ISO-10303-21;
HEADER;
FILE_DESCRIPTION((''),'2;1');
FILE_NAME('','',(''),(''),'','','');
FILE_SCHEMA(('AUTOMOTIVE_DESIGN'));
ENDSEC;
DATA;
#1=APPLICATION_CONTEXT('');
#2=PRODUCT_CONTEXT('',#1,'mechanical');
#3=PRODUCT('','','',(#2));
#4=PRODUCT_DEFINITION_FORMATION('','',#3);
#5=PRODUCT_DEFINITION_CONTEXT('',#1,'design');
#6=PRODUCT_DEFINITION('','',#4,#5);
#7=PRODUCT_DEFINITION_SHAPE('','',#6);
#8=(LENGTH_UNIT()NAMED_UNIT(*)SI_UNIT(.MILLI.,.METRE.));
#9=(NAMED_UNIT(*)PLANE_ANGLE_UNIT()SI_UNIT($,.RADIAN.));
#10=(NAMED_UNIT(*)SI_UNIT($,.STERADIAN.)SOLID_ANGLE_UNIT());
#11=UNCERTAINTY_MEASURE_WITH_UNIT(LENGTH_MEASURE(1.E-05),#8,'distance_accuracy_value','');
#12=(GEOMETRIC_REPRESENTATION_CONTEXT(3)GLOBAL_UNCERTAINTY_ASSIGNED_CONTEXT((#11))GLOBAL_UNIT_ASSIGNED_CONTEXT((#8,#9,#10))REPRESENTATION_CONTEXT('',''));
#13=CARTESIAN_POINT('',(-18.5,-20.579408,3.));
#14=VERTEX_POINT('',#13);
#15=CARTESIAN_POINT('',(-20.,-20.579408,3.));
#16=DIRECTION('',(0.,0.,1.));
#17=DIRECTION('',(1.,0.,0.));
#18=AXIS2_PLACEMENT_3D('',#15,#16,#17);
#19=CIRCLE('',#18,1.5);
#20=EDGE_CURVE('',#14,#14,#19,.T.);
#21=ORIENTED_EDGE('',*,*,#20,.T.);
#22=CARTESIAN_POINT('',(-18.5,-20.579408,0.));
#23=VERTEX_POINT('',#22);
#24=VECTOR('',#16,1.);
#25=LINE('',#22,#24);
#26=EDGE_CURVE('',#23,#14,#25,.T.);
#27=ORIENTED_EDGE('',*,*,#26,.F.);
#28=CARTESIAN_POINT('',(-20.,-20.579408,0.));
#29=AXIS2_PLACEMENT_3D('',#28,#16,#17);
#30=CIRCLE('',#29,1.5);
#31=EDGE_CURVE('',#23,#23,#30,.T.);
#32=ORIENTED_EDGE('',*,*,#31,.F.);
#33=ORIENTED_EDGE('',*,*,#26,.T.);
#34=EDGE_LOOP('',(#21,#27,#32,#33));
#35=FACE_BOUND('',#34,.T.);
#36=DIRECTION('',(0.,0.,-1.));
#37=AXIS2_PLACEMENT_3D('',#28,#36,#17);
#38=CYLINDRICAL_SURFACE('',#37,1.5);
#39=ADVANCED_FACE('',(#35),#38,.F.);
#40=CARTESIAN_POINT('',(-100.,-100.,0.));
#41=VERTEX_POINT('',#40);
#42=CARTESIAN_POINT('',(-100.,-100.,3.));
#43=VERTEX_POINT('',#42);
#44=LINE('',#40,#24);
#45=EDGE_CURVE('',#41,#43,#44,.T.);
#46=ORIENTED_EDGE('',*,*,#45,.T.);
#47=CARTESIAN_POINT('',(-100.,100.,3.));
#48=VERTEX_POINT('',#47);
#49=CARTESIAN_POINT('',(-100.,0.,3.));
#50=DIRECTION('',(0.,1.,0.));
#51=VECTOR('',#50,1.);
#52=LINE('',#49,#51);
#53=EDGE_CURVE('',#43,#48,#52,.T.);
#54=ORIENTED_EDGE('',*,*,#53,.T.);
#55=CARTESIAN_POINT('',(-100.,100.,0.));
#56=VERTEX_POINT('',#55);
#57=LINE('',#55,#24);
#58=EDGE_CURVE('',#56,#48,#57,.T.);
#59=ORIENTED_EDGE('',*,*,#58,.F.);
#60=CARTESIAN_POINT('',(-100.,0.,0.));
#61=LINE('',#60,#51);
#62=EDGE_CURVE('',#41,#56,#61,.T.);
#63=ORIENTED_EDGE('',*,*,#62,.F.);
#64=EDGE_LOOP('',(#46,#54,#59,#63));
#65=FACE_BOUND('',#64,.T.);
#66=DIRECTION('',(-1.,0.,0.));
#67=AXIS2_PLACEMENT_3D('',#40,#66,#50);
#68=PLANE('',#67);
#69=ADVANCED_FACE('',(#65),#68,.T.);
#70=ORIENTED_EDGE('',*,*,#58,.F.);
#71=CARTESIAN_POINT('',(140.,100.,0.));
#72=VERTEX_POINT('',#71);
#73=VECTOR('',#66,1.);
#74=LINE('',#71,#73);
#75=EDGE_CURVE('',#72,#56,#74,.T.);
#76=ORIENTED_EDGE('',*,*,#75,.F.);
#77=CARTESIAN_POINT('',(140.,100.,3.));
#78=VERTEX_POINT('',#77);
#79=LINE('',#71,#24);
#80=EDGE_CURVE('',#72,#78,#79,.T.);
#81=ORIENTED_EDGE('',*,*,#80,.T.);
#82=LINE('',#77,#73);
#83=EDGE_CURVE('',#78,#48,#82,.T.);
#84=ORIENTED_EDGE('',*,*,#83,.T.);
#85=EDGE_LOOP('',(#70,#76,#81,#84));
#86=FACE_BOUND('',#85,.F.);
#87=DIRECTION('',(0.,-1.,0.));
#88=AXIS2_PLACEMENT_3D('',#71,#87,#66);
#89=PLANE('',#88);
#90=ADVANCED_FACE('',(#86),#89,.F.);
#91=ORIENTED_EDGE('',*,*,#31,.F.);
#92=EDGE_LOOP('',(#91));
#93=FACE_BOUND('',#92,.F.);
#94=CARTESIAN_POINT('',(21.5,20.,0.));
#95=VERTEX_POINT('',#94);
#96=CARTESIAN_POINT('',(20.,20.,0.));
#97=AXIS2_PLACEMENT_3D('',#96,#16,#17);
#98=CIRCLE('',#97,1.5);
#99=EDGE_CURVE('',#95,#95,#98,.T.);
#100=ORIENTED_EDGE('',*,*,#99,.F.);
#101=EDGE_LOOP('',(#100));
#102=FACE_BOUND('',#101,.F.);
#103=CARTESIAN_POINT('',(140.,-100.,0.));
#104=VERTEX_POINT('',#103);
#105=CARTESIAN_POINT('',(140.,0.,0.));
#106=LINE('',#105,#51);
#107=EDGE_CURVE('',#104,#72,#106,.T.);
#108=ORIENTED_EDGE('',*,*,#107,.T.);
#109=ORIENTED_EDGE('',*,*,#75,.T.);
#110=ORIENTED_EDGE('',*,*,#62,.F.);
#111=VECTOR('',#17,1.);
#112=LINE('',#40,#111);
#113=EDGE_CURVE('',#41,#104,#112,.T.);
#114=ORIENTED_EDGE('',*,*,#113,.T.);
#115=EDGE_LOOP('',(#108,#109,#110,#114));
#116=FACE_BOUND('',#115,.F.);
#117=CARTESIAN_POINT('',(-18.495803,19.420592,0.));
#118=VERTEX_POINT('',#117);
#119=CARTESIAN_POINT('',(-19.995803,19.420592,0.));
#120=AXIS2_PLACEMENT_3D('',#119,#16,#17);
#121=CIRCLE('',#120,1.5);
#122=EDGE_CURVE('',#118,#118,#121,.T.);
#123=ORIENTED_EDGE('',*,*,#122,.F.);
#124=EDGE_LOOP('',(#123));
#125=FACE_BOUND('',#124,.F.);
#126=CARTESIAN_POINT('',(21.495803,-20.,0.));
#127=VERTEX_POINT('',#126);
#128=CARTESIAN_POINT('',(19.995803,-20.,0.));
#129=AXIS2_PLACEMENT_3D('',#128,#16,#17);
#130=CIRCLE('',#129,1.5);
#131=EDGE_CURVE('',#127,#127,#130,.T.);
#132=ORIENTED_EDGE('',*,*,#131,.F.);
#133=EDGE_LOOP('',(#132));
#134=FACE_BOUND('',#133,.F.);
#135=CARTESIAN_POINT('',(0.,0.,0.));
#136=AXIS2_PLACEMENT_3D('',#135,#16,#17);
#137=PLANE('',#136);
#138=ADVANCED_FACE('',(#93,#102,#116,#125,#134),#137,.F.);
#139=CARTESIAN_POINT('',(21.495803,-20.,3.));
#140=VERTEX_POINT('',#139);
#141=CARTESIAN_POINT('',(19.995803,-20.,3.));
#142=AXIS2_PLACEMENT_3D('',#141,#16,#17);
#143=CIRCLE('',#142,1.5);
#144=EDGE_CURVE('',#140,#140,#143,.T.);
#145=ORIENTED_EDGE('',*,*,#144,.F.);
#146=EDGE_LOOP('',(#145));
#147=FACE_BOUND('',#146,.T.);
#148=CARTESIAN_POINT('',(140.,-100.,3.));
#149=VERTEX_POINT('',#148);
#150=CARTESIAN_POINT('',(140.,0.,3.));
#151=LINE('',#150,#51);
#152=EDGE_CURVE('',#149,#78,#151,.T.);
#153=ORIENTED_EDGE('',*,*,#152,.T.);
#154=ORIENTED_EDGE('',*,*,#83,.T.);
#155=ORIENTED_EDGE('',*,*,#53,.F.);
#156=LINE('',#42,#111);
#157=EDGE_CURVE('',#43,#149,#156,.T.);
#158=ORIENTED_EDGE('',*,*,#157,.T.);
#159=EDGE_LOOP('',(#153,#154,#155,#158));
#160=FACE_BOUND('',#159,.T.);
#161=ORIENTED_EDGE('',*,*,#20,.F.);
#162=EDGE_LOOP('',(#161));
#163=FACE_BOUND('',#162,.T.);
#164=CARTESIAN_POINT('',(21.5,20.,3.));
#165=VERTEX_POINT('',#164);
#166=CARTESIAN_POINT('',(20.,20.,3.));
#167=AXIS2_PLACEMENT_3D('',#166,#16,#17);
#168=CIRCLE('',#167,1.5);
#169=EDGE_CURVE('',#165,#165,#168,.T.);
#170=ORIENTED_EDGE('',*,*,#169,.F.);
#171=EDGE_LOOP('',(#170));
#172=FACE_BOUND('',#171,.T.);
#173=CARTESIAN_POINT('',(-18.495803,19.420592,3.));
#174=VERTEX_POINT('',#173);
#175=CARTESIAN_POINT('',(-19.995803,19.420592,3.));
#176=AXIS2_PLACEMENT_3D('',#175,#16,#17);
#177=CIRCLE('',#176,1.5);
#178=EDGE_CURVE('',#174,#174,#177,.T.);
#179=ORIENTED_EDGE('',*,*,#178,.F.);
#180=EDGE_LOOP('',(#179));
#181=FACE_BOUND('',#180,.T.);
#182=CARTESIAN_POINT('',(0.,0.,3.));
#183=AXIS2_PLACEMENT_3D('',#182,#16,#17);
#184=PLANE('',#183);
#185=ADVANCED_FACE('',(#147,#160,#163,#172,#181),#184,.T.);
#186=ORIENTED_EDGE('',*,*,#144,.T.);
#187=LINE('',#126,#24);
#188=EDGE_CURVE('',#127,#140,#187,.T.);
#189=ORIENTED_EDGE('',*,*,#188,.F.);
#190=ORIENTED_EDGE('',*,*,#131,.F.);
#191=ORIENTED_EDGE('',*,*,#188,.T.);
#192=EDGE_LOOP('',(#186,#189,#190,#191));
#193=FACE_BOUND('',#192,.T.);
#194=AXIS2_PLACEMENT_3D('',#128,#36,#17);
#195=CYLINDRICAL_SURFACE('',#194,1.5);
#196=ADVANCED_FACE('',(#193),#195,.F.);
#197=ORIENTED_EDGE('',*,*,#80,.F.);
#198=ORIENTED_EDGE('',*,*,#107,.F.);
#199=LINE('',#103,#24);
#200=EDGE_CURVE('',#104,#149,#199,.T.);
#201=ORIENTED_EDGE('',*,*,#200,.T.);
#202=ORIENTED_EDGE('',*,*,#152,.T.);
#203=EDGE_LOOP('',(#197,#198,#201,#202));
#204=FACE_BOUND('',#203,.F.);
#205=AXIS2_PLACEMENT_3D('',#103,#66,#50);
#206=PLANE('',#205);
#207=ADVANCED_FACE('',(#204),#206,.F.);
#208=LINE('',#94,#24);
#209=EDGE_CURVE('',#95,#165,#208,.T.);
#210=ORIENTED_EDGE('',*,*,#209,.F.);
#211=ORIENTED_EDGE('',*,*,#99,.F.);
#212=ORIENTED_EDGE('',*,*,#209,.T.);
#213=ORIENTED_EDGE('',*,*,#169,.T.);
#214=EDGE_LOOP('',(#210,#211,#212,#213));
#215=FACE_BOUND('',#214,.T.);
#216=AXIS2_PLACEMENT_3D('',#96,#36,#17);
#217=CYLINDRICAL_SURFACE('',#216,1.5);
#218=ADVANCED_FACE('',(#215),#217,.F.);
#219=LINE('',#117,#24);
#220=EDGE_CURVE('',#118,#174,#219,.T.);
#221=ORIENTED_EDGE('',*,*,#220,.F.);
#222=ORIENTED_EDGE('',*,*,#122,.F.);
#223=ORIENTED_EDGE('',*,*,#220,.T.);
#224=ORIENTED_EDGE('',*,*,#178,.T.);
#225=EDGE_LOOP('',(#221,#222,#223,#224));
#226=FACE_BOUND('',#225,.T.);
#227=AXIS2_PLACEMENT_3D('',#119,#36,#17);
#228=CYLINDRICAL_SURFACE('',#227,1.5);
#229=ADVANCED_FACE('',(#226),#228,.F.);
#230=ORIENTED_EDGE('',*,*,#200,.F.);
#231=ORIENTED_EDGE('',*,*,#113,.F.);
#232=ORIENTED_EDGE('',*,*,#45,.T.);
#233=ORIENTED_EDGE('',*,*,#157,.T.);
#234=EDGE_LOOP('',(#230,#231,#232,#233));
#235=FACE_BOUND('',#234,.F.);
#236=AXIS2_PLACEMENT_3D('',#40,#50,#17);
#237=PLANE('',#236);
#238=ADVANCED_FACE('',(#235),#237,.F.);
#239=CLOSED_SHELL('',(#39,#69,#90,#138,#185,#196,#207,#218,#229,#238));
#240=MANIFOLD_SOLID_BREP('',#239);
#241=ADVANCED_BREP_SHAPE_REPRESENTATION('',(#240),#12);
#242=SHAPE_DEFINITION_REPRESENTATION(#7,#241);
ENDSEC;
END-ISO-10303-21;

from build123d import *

# Parameters (mm, degrees)
F0_W     = 200
F0_H     = 200
F0_R     = 1.5
F0_W_2   = 40
F1_DEPTH = 3


with BuildPart() as f1:
    # F0 (on Top) → F1 (new body)
    with BuildSketch(Plane.XY):
        Rectangle(F0_W, F0_H)
        with Locations((-20, -20.579408)):
            Circle(F0_R, mode=Mode.SUBTRACT)
        with Locations((19.995803, -20)):
            Circle(F0_R, mode=Mode.SUBTRACT)
        with Locations((-19.995803, 19.420592)):
            Circle(F0_R, mode=Mode.SUBTRACT)
        with Locations((20, 20)):
            Circle(F0_R, mode=Mode.SUBTRACT)
        with Locations((120, 0)):
            Rectangle(F0_W_2, F0_H)
    extrude(amount=F1_DEPTH)


solid = f1.part
